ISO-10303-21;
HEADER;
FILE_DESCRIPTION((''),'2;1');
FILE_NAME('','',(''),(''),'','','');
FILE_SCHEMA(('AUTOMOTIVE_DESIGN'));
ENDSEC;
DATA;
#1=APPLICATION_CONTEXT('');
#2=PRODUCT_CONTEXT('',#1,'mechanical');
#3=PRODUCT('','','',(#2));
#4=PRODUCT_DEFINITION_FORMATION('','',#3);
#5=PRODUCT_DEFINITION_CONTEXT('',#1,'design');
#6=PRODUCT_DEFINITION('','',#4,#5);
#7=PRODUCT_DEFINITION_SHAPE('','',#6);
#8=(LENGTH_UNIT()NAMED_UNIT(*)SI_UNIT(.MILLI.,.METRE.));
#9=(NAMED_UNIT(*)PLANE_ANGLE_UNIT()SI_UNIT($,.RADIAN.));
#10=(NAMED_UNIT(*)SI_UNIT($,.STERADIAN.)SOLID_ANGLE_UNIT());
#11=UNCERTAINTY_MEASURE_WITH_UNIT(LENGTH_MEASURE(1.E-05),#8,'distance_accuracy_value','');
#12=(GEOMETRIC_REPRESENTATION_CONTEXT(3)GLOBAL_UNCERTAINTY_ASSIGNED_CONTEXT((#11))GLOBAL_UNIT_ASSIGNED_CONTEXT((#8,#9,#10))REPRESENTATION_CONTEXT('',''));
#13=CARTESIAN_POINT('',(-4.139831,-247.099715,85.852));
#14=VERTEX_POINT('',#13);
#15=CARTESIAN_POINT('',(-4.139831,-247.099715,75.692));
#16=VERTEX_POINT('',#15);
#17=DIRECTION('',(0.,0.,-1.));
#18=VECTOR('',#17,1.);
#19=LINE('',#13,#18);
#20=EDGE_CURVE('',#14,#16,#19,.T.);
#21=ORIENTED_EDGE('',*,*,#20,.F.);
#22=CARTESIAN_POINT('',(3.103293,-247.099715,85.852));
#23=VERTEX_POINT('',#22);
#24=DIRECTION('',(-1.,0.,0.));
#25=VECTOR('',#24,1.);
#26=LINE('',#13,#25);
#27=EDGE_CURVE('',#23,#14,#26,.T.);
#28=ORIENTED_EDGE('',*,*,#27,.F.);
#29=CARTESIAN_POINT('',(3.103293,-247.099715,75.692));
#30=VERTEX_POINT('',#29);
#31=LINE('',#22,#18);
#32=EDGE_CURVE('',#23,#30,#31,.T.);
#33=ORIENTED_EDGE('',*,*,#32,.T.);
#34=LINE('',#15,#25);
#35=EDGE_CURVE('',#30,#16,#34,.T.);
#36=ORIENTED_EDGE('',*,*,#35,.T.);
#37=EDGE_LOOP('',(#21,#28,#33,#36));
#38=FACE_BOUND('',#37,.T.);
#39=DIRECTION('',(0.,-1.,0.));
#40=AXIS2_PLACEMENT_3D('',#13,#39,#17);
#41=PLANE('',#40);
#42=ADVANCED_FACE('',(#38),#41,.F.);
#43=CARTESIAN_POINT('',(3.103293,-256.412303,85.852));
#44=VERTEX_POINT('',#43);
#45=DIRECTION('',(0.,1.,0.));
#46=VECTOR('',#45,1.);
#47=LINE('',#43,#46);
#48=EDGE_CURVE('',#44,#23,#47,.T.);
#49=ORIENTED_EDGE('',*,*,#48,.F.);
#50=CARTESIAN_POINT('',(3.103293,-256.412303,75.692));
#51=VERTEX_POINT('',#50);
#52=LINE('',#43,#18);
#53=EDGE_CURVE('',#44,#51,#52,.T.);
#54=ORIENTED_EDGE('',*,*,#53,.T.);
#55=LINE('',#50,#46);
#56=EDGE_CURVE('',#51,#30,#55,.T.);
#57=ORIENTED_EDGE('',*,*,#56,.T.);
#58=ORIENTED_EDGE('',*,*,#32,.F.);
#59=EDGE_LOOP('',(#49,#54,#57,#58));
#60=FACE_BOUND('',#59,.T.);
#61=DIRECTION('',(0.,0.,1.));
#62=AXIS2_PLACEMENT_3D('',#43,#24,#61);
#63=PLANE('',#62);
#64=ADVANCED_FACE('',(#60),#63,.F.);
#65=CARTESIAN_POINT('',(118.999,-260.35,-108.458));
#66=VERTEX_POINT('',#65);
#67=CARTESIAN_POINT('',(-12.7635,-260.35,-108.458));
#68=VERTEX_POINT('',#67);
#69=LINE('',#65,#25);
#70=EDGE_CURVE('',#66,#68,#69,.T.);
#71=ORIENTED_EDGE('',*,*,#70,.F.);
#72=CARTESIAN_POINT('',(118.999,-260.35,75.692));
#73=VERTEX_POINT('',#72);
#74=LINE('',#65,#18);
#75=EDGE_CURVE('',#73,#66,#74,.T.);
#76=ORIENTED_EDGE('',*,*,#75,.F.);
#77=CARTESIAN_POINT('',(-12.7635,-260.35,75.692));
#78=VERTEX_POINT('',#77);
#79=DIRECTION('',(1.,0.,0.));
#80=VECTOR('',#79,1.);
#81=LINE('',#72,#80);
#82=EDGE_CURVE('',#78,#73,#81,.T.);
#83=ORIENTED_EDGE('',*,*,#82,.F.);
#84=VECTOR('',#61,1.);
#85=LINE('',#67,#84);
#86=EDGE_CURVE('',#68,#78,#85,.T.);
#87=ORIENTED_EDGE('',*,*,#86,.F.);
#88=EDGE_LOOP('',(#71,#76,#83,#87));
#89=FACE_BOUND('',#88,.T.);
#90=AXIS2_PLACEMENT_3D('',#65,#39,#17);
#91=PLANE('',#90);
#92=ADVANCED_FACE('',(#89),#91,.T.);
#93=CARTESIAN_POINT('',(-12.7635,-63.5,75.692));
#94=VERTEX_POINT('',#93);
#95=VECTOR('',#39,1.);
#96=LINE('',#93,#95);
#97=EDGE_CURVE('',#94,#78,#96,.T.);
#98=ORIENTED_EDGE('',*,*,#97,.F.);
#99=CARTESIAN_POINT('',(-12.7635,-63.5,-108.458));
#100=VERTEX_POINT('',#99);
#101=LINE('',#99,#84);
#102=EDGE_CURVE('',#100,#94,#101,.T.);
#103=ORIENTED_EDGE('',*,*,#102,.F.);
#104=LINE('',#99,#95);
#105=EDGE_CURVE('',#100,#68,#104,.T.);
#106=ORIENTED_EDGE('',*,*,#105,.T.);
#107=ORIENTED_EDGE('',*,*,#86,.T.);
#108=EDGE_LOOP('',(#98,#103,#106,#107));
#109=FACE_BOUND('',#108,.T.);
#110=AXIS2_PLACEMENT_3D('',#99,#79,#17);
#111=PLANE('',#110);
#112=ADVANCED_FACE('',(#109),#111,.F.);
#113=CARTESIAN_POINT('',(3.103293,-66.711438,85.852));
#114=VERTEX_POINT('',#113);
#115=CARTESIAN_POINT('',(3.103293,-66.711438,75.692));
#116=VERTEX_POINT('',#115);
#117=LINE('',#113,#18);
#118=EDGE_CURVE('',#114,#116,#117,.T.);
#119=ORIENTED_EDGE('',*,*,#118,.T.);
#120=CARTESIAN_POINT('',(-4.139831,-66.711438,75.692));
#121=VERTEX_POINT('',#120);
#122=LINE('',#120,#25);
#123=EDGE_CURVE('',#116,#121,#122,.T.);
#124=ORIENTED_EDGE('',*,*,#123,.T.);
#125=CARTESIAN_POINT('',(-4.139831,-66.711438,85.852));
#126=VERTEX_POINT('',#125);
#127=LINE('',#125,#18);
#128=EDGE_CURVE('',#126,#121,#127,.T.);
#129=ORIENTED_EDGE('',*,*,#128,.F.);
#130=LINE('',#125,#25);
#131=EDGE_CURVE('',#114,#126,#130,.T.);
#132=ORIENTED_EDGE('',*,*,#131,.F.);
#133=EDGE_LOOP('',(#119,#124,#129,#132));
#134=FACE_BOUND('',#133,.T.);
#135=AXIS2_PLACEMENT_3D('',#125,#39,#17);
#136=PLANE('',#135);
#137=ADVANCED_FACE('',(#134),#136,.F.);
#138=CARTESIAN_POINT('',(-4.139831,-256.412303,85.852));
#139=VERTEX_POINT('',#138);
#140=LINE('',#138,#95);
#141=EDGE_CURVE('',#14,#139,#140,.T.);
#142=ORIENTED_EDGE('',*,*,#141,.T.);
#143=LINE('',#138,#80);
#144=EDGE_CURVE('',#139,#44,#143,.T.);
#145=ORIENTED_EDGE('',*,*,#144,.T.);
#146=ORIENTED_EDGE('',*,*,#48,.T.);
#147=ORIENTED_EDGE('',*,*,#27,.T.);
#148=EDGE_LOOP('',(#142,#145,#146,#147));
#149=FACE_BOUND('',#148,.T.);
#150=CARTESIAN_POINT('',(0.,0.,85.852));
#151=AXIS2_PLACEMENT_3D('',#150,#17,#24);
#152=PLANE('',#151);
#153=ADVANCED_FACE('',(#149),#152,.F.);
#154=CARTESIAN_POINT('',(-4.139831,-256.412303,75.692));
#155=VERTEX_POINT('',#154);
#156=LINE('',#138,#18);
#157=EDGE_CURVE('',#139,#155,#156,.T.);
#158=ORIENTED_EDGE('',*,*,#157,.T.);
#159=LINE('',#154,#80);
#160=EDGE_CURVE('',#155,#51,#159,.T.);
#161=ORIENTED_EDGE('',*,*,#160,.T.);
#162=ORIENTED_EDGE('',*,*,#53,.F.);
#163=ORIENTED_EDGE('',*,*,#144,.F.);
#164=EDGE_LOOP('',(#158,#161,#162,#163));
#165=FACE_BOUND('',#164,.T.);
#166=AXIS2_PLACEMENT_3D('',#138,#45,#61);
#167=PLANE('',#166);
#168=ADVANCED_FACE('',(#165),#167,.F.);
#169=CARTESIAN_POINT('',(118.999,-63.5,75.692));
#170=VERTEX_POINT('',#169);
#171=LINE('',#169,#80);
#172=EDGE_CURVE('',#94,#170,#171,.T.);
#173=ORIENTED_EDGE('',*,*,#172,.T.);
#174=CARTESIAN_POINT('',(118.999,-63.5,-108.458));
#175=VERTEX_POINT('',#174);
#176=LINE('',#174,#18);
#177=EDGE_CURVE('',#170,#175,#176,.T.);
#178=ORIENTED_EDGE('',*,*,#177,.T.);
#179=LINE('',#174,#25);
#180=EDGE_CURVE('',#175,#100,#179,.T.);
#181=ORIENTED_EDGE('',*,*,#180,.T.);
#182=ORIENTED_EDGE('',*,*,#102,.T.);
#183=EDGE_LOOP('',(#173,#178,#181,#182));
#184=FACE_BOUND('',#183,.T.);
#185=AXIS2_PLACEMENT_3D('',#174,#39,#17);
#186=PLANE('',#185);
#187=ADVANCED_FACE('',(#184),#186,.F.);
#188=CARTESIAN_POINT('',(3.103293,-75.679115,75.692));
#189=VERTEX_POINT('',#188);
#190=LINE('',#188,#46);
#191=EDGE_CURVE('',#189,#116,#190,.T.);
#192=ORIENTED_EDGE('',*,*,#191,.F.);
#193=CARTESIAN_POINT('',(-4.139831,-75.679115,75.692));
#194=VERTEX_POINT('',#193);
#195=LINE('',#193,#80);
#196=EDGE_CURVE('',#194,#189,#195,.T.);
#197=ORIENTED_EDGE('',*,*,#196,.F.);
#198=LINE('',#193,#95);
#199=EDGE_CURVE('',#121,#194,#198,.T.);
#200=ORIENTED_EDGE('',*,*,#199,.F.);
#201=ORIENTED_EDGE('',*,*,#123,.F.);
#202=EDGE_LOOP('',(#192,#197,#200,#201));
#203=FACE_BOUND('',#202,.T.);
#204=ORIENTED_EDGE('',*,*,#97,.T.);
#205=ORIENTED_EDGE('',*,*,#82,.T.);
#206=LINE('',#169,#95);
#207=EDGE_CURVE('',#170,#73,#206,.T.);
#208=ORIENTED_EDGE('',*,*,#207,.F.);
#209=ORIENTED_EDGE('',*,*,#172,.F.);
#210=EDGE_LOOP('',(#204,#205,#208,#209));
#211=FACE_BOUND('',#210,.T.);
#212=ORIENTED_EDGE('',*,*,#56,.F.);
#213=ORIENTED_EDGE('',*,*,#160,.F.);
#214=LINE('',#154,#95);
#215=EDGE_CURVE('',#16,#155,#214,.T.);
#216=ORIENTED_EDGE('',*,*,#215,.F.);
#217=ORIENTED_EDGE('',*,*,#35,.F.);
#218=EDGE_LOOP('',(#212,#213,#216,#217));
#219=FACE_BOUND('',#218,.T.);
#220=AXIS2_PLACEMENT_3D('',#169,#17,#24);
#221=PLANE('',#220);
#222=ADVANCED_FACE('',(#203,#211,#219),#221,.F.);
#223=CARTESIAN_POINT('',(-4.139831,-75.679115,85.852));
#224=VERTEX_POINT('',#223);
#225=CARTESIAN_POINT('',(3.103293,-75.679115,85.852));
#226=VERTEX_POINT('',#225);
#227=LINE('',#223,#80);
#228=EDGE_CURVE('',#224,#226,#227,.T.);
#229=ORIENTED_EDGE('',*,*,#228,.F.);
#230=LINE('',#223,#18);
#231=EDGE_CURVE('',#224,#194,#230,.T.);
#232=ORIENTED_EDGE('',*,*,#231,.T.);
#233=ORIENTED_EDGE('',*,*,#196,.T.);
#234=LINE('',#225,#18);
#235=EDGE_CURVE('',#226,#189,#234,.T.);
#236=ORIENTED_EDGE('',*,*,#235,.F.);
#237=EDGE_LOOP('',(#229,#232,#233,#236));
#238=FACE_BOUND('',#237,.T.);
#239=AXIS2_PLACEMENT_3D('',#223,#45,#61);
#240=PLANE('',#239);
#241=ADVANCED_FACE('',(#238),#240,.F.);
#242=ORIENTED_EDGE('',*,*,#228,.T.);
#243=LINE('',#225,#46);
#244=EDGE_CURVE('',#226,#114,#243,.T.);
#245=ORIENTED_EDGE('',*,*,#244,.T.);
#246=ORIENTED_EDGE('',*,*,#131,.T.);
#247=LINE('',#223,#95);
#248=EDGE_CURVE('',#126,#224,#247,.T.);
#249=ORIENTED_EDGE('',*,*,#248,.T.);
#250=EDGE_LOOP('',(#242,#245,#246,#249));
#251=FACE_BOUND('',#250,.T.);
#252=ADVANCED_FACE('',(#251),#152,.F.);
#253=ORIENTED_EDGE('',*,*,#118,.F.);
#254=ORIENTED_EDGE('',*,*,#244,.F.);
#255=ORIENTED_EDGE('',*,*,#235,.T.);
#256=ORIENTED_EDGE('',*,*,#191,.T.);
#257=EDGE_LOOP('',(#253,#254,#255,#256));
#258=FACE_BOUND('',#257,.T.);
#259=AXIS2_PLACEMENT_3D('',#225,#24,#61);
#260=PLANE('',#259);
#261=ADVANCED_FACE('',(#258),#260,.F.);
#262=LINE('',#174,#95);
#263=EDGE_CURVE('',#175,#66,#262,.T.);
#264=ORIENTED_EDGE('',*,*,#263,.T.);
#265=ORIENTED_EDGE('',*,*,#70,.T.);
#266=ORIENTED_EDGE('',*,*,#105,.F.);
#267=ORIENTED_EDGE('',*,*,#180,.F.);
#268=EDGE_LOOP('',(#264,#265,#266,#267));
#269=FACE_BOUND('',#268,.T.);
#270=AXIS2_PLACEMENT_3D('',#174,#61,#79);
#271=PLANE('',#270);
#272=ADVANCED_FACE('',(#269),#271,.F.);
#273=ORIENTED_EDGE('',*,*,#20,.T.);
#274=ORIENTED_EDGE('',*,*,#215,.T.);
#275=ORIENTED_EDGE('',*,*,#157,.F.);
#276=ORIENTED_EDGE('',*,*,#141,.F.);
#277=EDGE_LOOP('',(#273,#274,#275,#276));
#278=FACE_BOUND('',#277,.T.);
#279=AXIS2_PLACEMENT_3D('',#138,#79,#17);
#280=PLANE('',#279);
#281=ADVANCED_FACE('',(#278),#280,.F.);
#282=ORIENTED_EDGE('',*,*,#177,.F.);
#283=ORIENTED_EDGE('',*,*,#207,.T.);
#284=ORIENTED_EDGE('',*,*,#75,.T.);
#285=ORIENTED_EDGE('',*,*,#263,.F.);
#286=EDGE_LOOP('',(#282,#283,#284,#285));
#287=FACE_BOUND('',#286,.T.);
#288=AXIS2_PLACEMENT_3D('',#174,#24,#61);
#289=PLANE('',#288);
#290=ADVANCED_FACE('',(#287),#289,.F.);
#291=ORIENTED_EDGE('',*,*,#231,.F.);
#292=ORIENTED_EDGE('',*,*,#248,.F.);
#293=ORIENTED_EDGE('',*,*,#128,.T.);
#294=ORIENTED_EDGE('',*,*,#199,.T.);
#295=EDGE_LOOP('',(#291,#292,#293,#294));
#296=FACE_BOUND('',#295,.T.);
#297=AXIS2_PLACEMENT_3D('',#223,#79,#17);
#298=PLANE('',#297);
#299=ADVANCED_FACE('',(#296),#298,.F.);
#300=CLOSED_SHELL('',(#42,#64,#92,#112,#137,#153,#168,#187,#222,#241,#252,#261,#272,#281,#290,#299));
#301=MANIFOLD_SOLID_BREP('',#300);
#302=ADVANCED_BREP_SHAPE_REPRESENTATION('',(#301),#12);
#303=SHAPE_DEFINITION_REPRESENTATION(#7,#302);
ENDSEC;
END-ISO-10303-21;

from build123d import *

# Parameters (mm, degrees)
SKETCH1_W           = 131.7625
SKETCH1_H           = 184.15
BOSS_EXTRUDE1_DEPTH = 196.85
SKETCH2_W           = 7.243123939
SKETCH2_H           = 8.967677257
SKETCH2_H_2         = 9.31258792
BOSS_EXTRUDE2_DEPTH = 10.16


with BuildPart() as part:
    # Sketch1 → Boss-Extrude1 (new body)
    with BuildSketch(Plane(origin=(0, 0, 0), x_dir=(1, 0, 0), z_dir=(0, 1, 0))):
        with Locations((-65.88125, -92.075)):
            Rectangle(SKETCH1_W, SKETCH1_H)
    extrude(amount=BOSS_EXTRUDE1_DEPTH)


with BuildPart() as part_1:
    # Body-Move/Copy1: moved
    add(part.part.moved(Location((118.999, -260.35, -108.458))))

    # Sketch2 → Boss-Extrude2 (add)
    with BuildSketch(Plane.XY.offset(75.692)):
        with Locations((-0.518268716, -71.195276502)):
            Rectangle(SKETCH2_W, SKETCH2_H)
        with Locations((-0.518268716, -251.756008966)):
            Rectangle(SKETCH2_W, SKETCH2_H_2)
    extrude(amount=BOSS_EXTRUDE2_DEPTH)


solid = part_1.part
